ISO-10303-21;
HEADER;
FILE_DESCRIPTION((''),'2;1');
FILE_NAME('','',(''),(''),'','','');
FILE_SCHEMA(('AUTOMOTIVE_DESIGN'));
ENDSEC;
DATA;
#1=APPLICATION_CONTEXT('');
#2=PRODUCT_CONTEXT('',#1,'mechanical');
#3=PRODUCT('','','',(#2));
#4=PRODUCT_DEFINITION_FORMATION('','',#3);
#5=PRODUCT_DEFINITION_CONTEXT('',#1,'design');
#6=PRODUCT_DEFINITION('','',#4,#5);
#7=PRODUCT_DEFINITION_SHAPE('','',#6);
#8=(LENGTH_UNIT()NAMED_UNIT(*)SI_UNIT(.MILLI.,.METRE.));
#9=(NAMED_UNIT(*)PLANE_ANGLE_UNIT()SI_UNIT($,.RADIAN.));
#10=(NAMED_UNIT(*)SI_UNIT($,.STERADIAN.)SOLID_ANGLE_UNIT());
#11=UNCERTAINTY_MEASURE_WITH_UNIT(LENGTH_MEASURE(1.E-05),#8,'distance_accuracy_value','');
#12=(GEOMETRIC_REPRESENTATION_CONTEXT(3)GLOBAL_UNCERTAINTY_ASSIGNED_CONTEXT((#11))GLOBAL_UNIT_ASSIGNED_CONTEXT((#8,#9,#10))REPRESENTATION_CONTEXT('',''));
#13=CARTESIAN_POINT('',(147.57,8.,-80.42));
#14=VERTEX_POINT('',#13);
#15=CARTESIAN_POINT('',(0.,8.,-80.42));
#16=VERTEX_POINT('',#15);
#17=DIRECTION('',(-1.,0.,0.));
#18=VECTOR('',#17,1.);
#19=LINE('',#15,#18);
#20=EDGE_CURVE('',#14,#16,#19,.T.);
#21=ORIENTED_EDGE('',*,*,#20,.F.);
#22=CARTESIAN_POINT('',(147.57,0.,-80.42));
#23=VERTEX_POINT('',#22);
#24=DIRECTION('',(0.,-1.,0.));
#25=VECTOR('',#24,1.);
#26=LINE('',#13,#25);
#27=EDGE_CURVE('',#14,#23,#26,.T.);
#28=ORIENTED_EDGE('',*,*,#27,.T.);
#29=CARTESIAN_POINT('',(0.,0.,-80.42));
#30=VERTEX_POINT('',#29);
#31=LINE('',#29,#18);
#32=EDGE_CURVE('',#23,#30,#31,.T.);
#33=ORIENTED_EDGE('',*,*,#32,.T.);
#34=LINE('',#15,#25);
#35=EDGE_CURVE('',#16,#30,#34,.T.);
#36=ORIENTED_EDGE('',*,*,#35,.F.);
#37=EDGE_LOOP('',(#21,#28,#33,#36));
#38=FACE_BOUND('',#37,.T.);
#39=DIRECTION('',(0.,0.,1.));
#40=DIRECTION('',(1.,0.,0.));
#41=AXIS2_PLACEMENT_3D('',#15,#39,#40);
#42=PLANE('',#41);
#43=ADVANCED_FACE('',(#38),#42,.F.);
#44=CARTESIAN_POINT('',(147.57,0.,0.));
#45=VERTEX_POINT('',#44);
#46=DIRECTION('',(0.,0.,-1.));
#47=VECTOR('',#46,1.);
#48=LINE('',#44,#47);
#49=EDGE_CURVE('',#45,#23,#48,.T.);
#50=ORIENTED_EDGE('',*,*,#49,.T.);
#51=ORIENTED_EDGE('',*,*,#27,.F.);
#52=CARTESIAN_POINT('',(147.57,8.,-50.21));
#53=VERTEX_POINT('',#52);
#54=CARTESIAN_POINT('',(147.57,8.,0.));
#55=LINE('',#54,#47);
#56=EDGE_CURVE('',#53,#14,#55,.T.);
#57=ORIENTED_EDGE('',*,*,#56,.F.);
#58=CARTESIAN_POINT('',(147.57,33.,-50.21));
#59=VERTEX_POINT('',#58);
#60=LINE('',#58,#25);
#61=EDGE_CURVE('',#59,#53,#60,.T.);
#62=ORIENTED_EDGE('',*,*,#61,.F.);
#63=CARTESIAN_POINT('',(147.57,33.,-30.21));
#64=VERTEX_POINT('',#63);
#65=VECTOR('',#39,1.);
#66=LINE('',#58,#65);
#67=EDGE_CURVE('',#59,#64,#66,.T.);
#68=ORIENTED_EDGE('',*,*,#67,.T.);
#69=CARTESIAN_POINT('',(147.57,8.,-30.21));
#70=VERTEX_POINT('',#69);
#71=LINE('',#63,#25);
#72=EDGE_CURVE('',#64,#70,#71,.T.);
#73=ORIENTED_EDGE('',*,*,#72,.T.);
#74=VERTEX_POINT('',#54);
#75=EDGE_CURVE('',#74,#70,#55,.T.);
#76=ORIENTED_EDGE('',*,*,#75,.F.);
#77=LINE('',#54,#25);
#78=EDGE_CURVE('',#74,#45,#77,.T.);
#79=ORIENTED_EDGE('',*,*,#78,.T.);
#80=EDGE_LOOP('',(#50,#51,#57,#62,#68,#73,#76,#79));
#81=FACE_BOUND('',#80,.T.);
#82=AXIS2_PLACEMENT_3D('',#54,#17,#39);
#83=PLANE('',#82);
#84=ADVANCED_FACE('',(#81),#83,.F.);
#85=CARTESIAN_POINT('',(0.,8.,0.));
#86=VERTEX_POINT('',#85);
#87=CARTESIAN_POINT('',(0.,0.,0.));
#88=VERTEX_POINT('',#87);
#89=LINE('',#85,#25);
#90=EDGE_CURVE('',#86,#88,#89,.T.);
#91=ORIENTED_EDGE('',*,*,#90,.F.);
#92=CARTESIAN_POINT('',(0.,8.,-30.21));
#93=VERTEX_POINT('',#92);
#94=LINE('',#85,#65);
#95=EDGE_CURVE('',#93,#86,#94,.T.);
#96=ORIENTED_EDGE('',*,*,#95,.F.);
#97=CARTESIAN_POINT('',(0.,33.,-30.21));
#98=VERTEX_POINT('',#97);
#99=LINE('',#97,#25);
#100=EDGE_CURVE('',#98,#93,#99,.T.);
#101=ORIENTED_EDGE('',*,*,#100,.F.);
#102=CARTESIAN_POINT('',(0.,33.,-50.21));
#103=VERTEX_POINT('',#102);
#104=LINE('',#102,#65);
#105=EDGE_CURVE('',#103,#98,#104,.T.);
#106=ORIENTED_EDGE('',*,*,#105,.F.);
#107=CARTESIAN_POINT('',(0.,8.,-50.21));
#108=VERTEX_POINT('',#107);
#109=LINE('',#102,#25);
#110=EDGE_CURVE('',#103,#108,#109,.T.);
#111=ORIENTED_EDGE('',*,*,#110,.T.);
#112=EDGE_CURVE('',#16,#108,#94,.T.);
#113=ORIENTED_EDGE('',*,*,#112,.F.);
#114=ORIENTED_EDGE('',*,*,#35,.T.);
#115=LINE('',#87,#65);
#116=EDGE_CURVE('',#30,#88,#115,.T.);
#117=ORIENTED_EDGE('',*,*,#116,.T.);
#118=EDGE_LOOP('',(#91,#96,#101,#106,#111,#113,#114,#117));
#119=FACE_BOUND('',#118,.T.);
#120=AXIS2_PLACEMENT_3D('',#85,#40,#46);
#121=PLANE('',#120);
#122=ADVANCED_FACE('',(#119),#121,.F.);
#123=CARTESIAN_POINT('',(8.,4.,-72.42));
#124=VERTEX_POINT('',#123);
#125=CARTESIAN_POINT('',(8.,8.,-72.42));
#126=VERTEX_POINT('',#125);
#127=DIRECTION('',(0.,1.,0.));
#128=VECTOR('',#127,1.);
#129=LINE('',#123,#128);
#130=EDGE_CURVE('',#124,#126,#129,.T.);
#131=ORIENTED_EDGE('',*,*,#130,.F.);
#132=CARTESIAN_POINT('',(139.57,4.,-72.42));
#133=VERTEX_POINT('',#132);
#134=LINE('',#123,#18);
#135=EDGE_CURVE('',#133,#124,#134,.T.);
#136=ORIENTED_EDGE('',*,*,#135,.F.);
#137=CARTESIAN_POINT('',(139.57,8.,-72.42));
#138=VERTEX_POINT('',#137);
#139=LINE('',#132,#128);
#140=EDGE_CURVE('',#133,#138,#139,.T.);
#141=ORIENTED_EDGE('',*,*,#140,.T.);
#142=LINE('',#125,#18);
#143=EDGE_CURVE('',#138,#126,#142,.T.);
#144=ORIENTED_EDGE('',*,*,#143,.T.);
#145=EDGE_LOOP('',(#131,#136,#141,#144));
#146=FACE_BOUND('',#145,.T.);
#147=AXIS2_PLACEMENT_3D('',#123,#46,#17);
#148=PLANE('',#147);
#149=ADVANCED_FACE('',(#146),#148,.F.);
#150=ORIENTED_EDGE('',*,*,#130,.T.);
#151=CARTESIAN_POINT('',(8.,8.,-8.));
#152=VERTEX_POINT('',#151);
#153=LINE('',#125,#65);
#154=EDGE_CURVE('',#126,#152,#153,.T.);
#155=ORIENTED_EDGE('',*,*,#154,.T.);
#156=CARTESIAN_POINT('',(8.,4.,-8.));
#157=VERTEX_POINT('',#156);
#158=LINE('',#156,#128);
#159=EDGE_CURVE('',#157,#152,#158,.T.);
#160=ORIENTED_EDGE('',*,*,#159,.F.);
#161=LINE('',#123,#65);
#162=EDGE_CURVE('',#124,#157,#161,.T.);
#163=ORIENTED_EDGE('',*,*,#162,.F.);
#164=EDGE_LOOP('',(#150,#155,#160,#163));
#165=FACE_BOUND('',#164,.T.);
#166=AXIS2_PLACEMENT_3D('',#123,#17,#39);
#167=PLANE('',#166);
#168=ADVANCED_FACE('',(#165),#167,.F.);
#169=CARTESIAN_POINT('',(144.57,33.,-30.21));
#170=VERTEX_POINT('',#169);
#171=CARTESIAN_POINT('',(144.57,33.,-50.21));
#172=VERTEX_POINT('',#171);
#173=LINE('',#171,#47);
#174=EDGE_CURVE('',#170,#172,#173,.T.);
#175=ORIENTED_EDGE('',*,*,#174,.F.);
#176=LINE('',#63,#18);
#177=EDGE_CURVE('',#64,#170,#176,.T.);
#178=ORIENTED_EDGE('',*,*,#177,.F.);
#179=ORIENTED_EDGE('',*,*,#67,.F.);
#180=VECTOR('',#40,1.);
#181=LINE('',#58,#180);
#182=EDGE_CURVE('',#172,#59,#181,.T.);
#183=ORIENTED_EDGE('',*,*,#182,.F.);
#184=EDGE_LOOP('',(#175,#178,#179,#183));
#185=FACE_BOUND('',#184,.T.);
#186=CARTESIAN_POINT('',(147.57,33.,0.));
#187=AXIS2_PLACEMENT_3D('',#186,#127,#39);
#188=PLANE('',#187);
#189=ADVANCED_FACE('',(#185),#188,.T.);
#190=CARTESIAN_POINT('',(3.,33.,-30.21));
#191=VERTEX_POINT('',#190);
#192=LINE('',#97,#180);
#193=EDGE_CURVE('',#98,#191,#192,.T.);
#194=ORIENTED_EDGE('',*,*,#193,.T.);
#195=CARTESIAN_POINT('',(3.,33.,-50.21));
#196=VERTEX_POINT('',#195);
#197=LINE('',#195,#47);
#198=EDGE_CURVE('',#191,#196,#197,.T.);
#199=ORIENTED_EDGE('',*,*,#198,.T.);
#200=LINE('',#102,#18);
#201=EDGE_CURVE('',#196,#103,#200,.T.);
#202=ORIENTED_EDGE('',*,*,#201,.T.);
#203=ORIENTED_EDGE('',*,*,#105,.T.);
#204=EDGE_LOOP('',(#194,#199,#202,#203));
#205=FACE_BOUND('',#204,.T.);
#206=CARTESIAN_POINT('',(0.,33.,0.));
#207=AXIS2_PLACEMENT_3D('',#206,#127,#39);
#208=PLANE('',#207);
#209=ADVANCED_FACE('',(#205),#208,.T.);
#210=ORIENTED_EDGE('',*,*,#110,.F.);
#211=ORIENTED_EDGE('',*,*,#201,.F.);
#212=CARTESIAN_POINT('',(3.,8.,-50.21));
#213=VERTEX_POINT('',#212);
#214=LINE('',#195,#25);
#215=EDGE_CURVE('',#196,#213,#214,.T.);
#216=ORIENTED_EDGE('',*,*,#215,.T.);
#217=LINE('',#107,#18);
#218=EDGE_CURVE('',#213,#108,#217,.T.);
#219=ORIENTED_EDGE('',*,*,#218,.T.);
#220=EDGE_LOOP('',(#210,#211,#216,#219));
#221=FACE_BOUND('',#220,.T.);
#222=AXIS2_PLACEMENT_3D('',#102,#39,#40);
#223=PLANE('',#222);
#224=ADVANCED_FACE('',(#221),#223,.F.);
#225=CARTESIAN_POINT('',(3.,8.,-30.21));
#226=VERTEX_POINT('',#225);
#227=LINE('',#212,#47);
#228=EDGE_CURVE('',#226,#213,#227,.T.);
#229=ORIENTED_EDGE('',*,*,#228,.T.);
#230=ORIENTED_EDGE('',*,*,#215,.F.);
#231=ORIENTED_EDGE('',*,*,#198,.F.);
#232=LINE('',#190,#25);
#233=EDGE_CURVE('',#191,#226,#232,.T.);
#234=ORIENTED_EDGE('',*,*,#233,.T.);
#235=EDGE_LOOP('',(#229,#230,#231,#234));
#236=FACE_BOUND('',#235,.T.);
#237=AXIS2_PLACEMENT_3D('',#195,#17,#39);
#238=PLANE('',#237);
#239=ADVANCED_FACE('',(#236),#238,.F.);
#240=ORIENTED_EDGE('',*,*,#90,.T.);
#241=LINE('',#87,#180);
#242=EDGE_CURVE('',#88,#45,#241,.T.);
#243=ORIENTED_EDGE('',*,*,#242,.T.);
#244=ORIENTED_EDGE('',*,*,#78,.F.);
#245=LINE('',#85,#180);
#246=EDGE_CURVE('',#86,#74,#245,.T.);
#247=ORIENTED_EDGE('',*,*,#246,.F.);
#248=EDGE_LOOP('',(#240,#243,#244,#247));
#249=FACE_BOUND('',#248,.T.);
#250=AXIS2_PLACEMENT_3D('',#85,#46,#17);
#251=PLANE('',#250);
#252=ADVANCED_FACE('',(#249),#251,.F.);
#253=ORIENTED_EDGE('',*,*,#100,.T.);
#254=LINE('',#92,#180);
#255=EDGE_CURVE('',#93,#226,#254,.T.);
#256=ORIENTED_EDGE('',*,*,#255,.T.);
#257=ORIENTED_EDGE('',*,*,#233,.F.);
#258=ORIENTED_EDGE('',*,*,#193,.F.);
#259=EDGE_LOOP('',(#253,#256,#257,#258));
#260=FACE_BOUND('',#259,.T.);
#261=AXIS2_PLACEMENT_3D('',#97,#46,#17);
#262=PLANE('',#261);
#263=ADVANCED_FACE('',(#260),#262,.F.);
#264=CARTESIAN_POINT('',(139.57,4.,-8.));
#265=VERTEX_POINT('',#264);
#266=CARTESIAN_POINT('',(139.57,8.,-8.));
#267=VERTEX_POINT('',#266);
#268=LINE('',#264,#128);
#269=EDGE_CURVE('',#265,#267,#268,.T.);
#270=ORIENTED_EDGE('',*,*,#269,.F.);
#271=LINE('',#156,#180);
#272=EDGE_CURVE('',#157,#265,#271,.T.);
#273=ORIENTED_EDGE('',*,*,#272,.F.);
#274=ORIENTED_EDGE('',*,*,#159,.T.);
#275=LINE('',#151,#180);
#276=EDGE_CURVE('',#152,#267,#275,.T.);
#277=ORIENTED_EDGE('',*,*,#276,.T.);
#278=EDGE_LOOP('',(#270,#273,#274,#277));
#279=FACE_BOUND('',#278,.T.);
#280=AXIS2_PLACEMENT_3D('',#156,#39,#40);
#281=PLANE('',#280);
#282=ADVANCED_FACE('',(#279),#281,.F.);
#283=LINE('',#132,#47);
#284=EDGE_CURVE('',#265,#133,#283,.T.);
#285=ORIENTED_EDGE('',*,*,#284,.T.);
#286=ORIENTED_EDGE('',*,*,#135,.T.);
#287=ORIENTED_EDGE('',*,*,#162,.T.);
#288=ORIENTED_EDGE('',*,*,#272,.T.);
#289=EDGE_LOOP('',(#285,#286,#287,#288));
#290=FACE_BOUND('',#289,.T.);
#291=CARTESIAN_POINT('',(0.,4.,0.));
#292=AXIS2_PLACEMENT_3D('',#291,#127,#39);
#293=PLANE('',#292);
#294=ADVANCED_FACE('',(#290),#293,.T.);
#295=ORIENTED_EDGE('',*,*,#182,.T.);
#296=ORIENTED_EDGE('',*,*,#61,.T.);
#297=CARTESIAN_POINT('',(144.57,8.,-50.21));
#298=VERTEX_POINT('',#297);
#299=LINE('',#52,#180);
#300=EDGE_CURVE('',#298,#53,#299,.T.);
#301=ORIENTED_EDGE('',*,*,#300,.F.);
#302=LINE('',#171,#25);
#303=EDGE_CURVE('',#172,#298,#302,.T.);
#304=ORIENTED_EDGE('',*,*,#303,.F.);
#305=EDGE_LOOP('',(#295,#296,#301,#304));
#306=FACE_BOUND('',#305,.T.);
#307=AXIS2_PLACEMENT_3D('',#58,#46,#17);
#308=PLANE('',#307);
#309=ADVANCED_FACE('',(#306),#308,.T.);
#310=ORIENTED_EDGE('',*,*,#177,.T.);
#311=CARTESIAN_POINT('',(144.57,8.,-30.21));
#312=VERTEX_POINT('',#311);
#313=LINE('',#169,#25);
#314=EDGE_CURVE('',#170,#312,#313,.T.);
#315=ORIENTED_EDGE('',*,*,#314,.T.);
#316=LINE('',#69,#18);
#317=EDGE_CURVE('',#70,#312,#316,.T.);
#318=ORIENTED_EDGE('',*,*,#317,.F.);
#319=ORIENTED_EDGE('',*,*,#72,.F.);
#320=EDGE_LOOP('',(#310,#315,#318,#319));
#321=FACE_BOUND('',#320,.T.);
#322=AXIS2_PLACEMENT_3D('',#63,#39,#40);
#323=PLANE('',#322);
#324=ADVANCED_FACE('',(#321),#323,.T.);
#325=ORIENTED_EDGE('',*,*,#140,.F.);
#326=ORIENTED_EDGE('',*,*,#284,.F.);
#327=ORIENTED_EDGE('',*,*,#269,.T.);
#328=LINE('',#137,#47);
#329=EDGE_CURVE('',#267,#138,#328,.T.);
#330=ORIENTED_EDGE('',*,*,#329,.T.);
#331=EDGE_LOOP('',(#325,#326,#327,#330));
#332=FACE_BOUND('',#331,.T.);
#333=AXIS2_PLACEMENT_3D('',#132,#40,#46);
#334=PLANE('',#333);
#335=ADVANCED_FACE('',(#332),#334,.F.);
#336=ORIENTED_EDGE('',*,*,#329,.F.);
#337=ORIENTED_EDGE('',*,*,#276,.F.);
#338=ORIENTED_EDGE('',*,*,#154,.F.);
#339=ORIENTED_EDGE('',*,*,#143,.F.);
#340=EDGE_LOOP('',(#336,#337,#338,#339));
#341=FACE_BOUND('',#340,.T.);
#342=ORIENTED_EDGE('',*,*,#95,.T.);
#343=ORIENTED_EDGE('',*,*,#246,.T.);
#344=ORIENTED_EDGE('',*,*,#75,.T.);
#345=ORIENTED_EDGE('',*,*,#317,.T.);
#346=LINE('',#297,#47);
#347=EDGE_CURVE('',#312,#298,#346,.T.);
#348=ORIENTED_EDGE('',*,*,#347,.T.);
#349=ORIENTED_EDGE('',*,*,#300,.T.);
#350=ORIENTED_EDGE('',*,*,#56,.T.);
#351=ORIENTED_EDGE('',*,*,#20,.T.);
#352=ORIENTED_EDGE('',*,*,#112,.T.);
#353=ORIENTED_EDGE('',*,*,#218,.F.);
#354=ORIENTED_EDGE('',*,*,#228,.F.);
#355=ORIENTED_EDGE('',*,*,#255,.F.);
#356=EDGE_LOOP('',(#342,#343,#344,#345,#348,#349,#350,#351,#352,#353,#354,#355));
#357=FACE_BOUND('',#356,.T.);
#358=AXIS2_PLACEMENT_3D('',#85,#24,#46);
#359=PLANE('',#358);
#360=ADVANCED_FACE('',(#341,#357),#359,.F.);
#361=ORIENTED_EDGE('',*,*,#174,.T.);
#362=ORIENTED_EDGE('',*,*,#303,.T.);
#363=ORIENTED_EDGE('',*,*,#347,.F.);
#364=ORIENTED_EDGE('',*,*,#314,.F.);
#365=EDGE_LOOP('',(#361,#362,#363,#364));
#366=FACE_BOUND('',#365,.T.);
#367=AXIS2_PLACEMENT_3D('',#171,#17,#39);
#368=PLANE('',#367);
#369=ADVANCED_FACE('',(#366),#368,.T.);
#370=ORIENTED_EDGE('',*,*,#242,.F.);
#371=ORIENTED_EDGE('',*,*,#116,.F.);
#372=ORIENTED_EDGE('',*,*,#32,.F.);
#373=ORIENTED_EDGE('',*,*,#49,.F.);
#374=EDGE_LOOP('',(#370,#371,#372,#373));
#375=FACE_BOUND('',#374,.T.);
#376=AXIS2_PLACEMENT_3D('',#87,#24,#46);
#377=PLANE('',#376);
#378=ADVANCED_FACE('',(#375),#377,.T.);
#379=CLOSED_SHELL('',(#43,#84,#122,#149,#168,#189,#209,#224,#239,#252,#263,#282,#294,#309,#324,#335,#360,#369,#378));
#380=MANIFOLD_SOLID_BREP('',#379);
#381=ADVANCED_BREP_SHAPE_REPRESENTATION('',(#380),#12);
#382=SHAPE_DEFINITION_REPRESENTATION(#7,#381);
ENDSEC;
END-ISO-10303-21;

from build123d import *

# Parameters (mm, degrees)
SKETCH1_W           = 147.57
SKETCH1_H           = 80.42
BOSS_EXTRUDE1_DEPTH = 8
SKETCH2_W           = 131.57
SKETCH2_H           = 64.42
CUT_EXTRUDE1_DEPTH  = 4
SKETCH3_W           = 3
SKETCH3_H           = 20
BOSS_EXTRUDE2_DEPTH = 25


with BuildPart() as part:
    # Sketch1 → Boss-Extrude1 (new body)
    with BuildSketch(Plane(origin=(0, 0, 0), x_dir=(1, 0, 0), z_dir=(0, 1, 0))):
        with Locations((73.785, 40.21)):
            Rectangle(SKETCH1_W, SKETCH1_H)
    extrude(amount=BOSS_EXTRUDE1_DEPTH)

    # Sketch2 → Cut-Extrude1 (cut)
    with BuildSketch(Plane(origin=(0, 8, 0), x_dir=(1, 0, 0), z_dir=(0, 1, 0))):
        with Locations((73.785, 40.21)):
            Rectangle(SKETCH2_W, SKETCH2_H)
    extrude(amount=-CUT_EXTRUDE1_DEPTH, mode=Mode.SUBTRACT)

    # Sketch3 → Boss-Extrude2 (add)
    with BuildSketch(Plane(origin=(0, 8, 0), x_dir=(1, 0, 0), z_dir=(0, 1, 0))):
        with Locations((1.5, 40.21)):
            Rectangle(SKETCH3_W, SKETCH3_H)
    boss_extrude2 = extrude(amount=BOSS_EXTRUDE2_DEPTH)

    # Mirror1: Boss-Extrude2 across plane
    add(boss_extrude2.mirror(Plane.ZY.offset(-73.785)))


solid = part.part
